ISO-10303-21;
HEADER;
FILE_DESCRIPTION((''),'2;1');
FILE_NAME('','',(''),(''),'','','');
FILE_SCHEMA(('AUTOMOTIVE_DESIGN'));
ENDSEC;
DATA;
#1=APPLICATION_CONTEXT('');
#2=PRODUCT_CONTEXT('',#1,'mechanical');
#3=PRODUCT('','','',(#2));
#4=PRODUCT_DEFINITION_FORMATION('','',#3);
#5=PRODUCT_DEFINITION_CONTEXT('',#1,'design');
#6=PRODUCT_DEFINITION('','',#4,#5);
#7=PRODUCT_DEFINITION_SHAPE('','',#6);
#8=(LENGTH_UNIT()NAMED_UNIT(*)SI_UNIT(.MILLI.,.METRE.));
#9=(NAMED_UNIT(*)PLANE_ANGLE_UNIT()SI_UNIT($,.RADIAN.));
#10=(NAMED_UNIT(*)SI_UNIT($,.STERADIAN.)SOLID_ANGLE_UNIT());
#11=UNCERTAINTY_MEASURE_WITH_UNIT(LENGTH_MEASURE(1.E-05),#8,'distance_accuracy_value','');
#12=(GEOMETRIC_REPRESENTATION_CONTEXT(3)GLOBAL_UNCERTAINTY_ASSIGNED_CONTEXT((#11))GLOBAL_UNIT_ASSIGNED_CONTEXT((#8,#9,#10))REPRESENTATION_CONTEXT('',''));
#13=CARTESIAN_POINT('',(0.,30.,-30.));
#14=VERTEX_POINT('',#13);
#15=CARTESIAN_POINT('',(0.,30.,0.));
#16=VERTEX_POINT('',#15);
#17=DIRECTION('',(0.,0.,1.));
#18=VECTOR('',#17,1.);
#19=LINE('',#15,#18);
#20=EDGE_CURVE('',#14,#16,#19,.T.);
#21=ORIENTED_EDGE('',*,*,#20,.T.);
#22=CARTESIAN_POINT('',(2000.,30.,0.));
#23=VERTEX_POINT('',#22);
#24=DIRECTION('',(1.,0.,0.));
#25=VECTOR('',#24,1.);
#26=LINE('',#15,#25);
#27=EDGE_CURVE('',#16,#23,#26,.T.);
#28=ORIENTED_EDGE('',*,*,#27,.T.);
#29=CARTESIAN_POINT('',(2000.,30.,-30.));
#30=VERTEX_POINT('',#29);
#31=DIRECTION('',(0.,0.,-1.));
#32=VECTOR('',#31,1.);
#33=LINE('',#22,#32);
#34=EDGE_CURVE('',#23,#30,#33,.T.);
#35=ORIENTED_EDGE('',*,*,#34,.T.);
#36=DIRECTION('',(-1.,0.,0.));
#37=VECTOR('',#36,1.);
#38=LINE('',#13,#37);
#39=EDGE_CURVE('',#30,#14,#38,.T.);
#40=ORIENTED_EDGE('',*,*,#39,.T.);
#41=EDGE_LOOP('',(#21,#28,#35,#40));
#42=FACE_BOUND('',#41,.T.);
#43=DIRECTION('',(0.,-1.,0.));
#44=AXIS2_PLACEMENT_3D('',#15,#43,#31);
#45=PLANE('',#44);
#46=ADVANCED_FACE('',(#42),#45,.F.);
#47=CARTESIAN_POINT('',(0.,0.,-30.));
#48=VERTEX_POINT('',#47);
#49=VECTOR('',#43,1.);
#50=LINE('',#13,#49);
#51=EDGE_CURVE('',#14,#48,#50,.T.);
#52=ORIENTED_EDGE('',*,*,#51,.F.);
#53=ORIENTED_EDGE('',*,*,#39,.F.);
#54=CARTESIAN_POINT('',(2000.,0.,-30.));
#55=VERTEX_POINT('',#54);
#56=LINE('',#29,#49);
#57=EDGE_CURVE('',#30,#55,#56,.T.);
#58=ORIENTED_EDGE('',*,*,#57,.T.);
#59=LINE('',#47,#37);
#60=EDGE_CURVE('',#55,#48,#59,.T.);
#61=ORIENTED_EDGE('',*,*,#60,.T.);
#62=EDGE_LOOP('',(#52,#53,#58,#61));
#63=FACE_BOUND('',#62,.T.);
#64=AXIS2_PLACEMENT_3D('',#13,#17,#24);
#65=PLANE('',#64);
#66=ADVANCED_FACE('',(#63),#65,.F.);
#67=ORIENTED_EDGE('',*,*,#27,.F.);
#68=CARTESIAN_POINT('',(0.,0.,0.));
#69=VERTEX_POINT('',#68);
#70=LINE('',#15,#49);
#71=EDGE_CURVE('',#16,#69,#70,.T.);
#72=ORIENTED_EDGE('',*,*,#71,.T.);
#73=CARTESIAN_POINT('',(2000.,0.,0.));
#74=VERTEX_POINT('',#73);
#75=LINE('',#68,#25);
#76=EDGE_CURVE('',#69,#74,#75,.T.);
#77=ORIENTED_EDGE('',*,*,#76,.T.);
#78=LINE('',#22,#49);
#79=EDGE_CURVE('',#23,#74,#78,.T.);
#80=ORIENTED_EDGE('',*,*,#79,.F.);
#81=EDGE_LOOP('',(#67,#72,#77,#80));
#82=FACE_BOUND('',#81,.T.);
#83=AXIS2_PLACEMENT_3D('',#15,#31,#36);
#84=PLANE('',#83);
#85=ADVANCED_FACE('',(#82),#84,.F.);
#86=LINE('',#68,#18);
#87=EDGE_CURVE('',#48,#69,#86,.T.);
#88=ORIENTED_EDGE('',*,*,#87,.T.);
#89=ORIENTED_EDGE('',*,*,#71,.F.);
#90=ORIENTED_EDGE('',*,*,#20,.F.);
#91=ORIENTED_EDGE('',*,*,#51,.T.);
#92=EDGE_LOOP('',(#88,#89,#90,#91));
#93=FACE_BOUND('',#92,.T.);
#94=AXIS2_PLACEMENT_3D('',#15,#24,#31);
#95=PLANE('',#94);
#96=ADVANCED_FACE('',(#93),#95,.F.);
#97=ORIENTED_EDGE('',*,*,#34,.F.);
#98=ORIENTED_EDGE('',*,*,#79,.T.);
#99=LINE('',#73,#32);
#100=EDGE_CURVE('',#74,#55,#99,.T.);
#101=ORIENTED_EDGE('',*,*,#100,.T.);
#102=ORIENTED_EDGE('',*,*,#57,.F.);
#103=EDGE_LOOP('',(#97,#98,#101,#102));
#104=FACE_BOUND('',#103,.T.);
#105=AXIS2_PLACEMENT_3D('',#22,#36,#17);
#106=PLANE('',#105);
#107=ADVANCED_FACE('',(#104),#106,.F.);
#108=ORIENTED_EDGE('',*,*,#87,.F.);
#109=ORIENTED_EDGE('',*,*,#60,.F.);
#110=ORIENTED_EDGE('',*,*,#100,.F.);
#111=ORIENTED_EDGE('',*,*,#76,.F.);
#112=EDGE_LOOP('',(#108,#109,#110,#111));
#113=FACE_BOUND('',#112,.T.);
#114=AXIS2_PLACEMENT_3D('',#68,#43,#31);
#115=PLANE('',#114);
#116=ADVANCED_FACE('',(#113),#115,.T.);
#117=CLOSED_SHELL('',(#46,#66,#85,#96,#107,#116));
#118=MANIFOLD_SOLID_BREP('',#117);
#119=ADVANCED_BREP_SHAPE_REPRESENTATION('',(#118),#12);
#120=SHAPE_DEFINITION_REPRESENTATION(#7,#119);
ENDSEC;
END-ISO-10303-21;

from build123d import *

# Parameters (mm, degrees)
SKETCH_1_W      = 2000
SKETCH_1_H      = 30
EXTRUDE_1_DEPTH = 30


with BuildPart() as part:
    # Эскиз1 → Бобышка-Вытянуть1 (new body)
    with BuildSketch(Plane(origin=(0, 0, 0), x_dir=(1, 0, 0), z_dir=(0, 1, 0))):
        with Locations((1000, 15)):
            Rectangle(SKETCH_1_W, SKETCH_1_H)
    extrude(amount=EXTRUDE_1_DEPTH)


solid = part.part
